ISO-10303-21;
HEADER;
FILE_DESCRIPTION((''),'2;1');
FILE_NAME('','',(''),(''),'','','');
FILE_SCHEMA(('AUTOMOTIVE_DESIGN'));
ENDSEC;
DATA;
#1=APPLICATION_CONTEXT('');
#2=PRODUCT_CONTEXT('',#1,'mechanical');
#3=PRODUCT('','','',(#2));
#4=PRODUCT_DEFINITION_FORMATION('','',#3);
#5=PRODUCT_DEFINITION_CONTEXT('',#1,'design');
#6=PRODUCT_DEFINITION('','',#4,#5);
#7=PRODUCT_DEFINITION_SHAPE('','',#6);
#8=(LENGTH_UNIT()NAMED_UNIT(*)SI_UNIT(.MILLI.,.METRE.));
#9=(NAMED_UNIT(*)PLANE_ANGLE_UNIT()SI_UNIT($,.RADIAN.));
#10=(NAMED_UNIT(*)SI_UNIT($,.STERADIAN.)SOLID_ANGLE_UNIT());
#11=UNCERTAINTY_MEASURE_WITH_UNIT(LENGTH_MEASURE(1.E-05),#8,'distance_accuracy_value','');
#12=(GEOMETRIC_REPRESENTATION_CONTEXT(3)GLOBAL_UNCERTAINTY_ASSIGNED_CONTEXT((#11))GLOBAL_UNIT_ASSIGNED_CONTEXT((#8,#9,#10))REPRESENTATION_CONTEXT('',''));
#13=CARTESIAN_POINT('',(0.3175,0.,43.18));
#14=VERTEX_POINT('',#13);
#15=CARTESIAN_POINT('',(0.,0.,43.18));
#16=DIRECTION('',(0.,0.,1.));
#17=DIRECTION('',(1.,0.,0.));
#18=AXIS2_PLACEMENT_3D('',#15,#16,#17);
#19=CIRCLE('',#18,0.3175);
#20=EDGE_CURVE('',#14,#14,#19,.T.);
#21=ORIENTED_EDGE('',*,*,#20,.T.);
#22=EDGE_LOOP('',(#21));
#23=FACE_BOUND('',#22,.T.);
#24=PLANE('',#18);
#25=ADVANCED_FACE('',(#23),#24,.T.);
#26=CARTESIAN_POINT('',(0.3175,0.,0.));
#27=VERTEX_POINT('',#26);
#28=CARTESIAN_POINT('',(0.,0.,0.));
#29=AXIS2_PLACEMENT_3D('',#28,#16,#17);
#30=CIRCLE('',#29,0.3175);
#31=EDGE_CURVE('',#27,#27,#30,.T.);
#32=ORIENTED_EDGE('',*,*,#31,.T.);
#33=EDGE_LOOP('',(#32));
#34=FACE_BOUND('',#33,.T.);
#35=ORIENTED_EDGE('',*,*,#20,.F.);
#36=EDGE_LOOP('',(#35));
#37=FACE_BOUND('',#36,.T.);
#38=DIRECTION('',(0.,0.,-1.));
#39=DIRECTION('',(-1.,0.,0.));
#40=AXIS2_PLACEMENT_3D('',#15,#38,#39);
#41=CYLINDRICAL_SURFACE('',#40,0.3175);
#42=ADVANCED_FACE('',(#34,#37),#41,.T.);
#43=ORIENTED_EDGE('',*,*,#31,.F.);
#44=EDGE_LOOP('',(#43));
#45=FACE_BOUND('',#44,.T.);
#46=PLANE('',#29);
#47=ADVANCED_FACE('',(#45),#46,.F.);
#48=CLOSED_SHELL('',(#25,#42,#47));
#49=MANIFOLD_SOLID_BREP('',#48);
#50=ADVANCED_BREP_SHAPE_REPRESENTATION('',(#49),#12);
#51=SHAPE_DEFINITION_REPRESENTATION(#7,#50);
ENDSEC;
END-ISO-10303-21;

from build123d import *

# Parameters (mm, degrees)
SKETCH1_R           = 0.3175
BOSS_EXTRUDE1_DEPTH = 43.18


with BuildPart() as part:
    # Sketch1 → Boss-Extrude1 (new body)
    with BuildSketch(Plane.XY):
        Circle(SKETCH1_R)
    extrude(amount=BOSS_EXTRUDE1_DEPTH)


solid = part.part
